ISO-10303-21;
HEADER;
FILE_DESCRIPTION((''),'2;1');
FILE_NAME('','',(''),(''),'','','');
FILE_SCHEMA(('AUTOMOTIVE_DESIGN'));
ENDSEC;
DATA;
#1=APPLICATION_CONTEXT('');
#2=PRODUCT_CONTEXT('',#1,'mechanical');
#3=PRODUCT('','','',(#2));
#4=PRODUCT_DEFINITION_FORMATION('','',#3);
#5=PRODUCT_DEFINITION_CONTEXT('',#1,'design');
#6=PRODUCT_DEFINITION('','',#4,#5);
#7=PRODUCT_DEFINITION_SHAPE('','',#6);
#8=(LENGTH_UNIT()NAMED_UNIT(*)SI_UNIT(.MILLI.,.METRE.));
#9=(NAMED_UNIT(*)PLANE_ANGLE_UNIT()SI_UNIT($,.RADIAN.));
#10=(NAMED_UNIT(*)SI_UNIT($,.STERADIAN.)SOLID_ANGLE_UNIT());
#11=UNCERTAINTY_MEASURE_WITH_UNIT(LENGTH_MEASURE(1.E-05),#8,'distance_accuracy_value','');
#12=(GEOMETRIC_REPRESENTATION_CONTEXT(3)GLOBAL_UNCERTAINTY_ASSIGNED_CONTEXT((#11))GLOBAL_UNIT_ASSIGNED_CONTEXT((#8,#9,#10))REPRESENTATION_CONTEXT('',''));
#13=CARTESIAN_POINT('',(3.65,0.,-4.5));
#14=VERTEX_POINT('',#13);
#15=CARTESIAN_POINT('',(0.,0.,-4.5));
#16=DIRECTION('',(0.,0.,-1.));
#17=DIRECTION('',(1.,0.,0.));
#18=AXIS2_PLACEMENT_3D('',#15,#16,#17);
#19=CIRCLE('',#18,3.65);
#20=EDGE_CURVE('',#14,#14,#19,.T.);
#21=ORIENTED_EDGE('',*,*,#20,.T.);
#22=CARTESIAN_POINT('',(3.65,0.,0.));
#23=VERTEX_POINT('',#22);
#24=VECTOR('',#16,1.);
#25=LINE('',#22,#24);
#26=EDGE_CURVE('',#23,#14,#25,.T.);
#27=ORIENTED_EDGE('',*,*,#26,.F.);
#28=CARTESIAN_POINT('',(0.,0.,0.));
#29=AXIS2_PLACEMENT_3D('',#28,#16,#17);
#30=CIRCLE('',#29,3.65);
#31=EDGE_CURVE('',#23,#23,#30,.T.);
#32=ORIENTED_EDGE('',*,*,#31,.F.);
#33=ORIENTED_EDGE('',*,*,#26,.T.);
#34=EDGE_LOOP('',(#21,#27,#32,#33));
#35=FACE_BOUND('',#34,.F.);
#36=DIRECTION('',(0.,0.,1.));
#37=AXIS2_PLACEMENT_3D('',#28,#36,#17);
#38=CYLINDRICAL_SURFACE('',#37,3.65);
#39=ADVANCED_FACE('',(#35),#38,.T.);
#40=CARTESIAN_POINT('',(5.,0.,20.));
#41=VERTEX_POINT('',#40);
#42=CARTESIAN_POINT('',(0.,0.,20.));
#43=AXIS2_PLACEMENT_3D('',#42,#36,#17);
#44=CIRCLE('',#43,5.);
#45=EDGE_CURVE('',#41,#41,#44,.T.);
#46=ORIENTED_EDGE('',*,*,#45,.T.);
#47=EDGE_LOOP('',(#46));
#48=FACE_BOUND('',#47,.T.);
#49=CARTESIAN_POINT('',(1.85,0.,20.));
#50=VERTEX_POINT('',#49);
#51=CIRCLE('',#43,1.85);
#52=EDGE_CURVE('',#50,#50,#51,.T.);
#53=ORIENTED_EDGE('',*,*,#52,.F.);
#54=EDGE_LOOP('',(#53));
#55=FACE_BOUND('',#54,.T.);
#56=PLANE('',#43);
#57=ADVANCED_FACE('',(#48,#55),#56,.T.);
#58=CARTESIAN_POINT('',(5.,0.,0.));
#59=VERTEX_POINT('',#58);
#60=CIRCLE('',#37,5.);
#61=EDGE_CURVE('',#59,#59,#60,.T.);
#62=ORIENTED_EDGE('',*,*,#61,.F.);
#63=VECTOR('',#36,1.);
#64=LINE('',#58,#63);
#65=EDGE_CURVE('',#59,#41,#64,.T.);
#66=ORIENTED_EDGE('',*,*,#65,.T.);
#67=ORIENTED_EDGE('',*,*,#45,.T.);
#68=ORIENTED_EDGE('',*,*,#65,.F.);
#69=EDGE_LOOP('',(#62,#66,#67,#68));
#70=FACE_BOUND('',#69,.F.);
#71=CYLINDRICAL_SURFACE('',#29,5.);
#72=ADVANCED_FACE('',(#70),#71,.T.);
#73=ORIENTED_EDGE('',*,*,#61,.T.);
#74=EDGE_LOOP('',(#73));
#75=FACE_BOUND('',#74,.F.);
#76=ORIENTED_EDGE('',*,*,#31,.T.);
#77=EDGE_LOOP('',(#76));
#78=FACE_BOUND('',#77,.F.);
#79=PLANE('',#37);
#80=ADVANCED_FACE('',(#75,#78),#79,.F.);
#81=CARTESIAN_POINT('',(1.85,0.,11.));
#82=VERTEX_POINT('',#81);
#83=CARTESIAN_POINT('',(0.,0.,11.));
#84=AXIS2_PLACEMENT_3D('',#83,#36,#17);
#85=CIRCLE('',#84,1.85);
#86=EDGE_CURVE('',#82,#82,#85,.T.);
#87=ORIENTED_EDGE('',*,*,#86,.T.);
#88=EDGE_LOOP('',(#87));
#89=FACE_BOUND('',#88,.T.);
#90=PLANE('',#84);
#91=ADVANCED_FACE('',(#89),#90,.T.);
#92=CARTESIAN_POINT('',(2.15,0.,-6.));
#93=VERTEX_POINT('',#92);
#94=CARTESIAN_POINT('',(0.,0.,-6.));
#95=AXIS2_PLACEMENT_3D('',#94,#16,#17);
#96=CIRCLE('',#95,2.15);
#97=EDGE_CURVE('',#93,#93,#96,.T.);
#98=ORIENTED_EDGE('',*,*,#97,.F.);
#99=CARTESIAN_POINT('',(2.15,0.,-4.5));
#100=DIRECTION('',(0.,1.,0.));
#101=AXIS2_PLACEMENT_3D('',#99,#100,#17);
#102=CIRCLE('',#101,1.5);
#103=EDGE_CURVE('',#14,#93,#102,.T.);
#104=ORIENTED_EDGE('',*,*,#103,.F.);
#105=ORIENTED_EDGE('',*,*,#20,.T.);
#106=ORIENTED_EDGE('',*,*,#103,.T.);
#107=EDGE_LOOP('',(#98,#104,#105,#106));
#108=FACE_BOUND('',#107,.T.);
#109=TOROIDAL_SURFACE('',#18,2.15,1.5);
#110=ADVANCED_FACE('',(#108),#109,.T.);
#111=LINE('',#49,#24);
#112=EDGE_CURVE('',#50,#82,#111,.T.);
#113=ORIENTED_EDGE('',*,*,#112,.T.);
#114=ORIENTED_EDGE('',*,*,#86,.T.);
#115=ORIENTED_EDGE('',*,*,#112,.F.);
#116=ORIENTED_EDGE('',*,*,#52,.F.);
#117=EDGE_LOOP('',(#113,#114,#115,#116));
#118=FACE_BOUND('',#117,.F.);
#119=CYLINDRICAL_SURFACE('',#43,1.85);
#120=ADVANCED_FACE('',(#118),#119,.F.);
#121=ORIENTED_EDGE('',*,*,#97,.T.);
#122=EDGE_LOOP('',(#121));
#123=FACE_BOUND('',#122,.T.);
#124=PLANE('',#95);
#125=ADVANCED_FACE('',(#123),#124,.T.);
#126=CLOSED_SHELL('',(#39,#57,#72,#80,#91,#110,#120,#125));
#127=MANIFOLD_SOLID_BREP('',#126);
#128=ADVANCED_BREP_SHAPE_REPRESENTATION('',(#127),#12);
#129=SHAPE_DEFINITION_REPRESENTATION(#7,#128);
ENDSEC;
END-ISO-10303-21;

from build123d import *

# Parameters (mm, degrees)
SKETCH_R     = 5
PAD_DEPTH    = 20
SKETCH001_R  = 1.85
POCKET_DEPTH = 9
SKETCH002_R  = 3.65
PAD001_DEPTH = 6
FILLET_R     = 1.5


with BuildPart() as part:
    # Sketch → Pad (new body)
    with BuildSketch(Plane.XY):
        Circle(SKETCH_R)
    extrude(amount=PAD_DEPTH)

    # Sketch001 (on Face3 of Pad) → Pocket (cut)
    with BuildSketch(Plane.XY.offset(20)):
        Circle(SKETCH001_R)
    extrude(amount=-POCKET_DEPTH, mode=Mode.SUBTRACT)

    # Sketch002 (on Face2 of Pocket) → Pad001 (join)
    with BuildSketch(Plane(origin=(0, 0, 0), x_dir=(1, 0, 0), z_dir=(0, 0, -1))):
        Circle(SKETCH002_R)
    extrude(amount=PAD001_DEPTH)

    # Fillet
    fillet_edges = [part.edges().sort_by_distance(p)[0] for p in [
        (-3.65, 0, -6),
    ]]
    fillet(fillet_edges, radius=FILLET_R)


solid = part.part
